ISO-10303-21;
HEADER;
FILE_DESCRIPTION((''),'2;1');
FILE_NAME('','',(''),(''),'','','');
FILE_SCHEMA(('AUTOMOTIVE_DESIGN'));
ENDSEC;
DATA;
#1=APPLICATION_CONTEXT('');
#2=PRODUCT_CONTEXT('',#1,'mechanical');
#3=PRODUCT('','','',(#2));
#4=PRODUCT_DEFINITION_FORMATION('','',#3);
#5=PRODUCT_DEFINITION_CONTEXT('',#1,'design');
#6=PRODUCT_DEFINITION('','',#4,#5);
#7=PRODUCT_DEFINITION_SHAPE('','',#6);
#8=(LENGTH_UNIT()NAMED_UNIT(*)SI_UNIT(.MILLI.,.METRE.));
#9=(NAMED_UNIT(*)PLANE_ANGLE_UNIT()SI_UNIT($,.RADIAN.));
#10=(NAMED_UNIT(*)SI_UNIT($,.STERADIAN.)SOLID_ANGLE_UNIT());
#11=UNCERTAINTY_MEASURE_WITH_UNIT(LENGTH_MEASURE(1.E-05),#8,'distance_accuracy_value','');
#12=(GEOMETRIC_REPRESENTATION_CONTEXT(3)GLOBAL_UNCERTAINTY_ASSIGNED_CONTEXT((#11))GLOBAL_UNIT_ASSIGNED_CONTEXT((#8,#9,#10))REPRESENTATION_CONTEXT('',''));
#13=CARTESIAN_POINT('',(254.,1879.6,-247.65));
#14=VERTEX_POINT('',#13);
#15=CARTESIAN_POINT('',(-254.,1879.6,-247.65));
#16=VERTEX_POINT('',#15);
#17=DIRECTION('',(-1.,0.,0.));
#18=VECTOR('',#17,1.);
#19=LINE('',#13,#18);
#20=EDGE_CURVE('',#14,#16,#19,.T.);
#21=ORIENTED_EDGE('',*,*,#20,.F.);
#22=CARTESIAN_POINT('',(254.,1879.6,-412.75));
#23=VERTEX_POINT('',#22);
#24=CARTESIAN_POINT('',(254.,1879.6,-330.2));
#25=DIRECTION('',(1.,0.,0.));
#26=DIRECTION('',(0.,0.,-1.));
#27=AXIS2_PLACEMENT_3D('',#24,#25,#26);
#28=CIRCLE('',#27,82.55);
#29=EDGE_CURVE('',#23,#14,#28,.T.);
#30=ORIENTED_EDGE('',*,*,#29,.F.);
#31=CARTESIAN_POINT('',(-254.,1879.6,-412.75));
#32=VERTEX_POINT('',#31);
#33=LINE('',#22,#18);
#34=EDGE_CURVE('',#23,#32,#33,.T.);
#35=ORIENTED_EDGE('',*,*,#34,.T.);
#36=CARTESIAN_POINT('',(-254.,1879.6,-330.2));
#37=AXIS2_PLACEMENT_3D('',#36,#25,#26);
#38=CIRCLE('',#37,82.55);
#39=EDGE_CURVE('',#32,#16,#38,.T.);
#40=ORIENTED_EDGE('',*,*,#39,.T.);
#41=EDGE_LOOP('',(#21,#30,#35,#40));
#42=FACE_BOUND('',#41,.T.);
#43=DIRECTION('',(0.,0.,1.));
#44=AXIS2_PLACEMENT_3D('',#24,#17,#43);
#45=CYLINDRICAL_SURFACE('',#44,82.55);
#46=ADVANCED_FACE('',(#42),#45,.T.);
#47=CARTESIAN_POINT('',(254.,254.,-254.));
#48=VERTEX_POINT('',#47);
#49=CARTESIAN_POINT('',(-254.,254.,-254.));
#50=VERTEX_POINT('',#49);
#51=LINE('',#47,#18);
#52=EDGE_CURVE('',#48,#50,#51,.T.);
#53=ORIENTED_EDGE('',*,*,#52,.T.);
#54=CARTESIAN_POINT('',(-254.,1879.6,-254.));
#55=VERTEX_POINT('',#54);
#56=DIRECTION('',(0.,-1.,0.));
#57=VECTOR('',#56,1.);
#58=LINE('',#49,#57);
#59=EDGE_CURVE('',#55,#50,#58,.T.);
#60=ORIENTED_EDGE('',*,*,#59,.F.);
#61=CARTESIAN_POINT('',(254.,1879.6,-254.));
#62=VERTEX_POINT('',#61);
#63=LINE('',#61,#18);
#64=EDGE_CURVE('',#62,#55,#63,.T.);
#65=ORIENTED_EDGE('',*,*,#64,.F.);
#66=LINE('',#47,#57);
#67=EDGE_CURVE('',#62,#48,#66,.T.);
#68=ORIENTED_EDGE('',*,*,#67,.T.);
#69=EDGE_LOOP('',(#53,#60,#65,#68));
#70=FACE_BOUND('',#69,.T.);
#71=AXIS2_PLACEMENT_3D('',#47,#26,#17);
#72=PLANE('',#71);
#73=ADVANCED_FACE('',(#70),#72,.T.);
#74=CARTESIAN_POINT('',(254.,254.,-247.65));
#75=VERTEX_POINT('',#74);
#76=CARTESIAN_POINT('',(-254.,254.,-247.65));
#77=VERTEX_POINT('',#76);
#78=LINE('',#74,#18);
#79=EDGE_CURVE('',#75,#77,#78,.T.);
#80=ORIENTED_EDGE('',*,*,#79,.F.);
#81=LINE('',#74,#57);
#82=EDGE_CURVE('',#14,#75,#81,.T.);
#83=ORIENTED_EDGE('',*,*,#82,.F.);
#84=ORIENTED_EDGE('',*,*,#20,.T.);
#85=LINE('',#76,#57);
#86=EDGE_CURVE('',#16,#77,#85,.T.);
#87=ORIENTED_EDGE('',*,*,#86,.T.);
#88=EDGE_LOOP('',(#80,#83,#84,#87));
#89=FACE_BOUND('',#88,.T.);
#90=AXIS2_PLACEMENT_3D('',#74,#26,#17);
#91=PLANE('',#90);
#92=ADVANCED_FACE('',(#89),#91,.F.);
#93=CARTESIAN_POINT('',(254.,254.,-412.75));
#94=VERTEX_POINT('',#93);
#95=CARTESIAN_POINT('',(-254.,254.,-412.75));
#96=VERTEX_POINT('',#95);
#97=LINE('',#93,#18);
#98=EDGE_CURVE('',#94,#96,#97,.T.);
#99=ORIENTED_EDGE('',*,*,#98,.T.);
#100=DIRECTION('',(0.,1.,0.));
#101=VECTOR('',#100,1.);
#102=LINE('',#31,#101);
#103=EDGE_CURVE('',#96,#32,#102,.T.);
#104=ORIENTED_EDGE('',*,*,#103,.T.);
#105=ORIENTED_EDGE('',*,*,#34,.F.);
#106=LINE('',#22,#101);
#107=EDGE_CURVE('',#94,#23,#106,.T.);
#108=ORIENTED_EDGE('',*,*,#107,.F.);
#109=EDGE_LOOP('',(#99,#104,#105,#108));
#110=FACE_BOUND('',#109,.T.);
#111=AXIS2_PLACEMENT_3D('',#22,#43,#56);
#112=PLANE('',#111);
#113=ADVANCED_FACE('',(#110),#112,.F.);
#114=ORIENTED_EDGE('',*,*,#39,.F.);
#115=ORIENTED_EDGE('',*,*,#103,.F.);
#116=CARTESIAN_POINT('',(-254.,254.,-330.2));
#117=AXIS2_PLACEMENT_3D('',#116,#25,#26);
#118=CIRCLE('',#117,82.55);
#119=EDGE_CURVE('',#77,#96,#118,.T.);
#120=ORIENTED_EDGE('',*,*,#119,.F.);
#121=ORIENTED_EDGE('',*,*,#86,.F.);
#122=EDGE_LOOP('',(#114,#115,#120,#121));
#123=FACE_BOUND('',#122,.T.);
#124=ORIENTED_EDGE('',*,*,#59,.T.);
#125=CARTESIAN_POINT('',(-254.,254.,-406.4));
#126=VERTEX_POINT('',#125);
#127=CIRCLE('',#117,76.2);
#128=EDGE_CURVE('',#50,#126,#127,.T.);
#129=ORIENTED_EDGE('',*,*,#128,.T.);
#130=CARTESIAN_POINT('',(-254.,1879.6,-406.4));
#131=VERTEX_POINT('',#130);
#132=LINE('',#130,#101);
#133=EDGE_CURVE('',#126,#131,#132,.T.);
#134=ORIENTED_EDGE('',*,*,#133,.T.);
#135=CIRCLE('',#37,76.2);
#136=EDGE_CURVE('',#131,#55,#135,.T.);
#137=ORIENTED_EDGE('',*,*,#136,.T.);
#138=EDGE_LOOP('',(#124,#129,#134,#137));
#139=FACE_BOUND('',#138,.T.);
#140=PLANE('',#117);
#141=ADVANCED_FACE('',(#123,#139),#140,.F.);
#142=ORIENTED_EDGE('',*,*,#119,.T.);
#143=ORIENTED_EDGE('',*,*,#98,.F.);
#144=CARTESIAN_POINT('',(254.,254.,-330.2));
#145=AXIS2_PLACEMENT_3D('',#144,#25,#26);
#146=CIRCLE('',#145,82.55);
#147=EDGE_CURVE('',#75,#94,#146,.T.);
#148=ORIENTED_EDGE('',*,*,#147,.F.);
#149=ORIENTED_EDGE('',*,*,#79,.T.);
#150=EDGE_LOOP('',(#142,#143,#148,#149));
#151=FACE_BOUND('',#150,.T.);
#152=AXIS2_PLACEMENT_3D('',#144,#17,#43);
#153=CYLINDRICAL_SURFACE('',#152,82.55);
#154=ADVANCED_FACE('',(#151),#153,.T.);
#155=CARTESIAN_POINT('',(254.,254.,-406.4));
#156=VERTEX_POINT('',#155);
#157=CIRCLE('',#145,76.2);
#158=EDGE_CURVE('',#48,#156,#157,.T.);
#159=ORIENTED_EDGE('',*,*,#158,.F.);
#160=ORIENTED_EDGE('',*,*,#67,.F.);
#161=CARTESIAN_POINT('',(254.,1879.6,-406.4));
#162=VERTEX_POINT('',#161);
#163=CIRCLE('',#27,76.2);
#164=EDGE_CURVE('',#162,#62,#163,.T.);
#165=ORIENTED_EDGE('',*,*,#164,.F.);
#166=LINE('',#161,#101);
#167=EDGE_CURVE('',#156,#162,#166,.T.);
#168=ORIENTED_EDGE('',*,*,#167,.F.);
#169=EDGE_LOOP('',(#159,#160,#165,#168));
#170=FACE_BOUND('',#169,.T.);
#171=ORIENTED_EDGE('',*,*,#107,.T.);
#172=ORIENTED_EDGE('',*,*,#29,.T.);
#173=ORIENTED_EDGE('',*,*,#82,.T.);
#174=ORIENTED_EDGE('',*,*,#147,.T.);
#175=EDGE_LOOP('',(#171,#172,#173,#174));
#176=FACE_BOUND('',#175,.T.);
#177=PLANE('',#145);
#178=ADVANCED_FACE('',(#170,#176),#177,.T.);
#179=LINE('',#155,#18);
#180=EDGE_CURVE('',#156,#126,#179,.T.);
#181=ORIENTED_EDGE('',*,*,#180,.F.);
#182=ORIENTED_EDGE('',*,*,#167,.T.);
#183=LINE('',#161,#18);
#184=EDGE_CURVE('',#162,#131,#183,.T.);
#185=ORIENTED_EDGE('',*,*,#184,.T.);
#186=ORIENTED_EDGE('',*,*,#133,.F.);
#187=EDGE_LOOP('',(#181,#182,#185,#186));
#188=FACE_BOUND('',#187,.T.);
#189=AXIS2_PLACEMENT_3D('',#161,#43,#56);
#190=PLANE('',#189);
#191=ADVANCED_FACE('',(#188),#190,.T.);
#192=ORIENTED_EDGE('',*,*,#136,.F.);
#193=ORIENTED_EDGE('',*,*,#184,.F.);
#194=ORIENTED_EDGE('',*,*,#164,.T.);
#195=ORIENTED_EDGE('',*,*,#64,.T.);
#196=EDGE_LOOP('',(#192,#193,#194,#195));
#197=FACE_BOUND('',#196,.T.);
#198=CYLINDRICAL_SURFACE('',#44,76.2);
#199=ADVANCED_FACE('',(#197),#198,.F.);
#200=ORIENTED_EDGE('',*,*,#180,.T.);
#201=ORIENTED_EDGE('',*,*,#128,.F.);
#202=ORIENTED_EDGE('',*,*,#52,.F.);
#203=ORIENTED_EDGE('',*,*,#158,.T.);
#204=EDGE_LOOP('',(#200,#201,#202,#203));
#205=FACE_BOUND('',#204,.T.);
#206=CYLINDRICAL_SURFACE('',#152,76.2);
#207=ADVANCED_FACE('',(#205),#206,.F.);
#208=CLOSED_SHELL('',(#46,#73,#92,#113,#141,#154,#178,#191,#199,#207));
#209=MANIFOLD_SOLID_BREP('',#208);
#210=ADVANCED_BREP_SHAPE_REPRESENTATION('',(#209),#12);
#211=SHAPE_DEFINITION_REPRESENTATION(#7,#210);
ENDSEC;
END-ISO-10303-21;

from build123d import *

# Parameters (mm, degrees)
BOSS_EXTRUDE1_DEPTH = 254


with BuildPart() as part:
    # Sketch1 → Boss-Extrude1 (new, symmetric)
    with BuildSketch(Plane(origin=(0, 0, 0), x_dir=(0, 0, -1), z_dir=(1, 0, 0))):
        with BuildLine():
            Line((247.65, 254), (247.65, 1879.6))
            ThreePointArc((247.65, 1879.6), (330.2, 1962.15), (412.75, 1879.6))
            Line((412.75, 1879.6), (412.75, 254))
            ThreePointArc((412.75, 254), (330.2, 171.45), (247.65, 254))
        make_face()
        with BuildLine():
            Line((406.4, 1879.6), (406.4, 254))
            ThreePointArc((406.4, 254), (330.2, 177.8), (254, 254))
            Line((254, 254), (254, 1879.6))
            ThreePointArc((254, 1879.6), (330.2, 1955.8), (406.4, 1879.6))
        make_face(mode=Mode.SUBTRACT)
    extrude(amount=BOSS_EXTRUDE1_DEPTH, both=True)


solid = part.part
